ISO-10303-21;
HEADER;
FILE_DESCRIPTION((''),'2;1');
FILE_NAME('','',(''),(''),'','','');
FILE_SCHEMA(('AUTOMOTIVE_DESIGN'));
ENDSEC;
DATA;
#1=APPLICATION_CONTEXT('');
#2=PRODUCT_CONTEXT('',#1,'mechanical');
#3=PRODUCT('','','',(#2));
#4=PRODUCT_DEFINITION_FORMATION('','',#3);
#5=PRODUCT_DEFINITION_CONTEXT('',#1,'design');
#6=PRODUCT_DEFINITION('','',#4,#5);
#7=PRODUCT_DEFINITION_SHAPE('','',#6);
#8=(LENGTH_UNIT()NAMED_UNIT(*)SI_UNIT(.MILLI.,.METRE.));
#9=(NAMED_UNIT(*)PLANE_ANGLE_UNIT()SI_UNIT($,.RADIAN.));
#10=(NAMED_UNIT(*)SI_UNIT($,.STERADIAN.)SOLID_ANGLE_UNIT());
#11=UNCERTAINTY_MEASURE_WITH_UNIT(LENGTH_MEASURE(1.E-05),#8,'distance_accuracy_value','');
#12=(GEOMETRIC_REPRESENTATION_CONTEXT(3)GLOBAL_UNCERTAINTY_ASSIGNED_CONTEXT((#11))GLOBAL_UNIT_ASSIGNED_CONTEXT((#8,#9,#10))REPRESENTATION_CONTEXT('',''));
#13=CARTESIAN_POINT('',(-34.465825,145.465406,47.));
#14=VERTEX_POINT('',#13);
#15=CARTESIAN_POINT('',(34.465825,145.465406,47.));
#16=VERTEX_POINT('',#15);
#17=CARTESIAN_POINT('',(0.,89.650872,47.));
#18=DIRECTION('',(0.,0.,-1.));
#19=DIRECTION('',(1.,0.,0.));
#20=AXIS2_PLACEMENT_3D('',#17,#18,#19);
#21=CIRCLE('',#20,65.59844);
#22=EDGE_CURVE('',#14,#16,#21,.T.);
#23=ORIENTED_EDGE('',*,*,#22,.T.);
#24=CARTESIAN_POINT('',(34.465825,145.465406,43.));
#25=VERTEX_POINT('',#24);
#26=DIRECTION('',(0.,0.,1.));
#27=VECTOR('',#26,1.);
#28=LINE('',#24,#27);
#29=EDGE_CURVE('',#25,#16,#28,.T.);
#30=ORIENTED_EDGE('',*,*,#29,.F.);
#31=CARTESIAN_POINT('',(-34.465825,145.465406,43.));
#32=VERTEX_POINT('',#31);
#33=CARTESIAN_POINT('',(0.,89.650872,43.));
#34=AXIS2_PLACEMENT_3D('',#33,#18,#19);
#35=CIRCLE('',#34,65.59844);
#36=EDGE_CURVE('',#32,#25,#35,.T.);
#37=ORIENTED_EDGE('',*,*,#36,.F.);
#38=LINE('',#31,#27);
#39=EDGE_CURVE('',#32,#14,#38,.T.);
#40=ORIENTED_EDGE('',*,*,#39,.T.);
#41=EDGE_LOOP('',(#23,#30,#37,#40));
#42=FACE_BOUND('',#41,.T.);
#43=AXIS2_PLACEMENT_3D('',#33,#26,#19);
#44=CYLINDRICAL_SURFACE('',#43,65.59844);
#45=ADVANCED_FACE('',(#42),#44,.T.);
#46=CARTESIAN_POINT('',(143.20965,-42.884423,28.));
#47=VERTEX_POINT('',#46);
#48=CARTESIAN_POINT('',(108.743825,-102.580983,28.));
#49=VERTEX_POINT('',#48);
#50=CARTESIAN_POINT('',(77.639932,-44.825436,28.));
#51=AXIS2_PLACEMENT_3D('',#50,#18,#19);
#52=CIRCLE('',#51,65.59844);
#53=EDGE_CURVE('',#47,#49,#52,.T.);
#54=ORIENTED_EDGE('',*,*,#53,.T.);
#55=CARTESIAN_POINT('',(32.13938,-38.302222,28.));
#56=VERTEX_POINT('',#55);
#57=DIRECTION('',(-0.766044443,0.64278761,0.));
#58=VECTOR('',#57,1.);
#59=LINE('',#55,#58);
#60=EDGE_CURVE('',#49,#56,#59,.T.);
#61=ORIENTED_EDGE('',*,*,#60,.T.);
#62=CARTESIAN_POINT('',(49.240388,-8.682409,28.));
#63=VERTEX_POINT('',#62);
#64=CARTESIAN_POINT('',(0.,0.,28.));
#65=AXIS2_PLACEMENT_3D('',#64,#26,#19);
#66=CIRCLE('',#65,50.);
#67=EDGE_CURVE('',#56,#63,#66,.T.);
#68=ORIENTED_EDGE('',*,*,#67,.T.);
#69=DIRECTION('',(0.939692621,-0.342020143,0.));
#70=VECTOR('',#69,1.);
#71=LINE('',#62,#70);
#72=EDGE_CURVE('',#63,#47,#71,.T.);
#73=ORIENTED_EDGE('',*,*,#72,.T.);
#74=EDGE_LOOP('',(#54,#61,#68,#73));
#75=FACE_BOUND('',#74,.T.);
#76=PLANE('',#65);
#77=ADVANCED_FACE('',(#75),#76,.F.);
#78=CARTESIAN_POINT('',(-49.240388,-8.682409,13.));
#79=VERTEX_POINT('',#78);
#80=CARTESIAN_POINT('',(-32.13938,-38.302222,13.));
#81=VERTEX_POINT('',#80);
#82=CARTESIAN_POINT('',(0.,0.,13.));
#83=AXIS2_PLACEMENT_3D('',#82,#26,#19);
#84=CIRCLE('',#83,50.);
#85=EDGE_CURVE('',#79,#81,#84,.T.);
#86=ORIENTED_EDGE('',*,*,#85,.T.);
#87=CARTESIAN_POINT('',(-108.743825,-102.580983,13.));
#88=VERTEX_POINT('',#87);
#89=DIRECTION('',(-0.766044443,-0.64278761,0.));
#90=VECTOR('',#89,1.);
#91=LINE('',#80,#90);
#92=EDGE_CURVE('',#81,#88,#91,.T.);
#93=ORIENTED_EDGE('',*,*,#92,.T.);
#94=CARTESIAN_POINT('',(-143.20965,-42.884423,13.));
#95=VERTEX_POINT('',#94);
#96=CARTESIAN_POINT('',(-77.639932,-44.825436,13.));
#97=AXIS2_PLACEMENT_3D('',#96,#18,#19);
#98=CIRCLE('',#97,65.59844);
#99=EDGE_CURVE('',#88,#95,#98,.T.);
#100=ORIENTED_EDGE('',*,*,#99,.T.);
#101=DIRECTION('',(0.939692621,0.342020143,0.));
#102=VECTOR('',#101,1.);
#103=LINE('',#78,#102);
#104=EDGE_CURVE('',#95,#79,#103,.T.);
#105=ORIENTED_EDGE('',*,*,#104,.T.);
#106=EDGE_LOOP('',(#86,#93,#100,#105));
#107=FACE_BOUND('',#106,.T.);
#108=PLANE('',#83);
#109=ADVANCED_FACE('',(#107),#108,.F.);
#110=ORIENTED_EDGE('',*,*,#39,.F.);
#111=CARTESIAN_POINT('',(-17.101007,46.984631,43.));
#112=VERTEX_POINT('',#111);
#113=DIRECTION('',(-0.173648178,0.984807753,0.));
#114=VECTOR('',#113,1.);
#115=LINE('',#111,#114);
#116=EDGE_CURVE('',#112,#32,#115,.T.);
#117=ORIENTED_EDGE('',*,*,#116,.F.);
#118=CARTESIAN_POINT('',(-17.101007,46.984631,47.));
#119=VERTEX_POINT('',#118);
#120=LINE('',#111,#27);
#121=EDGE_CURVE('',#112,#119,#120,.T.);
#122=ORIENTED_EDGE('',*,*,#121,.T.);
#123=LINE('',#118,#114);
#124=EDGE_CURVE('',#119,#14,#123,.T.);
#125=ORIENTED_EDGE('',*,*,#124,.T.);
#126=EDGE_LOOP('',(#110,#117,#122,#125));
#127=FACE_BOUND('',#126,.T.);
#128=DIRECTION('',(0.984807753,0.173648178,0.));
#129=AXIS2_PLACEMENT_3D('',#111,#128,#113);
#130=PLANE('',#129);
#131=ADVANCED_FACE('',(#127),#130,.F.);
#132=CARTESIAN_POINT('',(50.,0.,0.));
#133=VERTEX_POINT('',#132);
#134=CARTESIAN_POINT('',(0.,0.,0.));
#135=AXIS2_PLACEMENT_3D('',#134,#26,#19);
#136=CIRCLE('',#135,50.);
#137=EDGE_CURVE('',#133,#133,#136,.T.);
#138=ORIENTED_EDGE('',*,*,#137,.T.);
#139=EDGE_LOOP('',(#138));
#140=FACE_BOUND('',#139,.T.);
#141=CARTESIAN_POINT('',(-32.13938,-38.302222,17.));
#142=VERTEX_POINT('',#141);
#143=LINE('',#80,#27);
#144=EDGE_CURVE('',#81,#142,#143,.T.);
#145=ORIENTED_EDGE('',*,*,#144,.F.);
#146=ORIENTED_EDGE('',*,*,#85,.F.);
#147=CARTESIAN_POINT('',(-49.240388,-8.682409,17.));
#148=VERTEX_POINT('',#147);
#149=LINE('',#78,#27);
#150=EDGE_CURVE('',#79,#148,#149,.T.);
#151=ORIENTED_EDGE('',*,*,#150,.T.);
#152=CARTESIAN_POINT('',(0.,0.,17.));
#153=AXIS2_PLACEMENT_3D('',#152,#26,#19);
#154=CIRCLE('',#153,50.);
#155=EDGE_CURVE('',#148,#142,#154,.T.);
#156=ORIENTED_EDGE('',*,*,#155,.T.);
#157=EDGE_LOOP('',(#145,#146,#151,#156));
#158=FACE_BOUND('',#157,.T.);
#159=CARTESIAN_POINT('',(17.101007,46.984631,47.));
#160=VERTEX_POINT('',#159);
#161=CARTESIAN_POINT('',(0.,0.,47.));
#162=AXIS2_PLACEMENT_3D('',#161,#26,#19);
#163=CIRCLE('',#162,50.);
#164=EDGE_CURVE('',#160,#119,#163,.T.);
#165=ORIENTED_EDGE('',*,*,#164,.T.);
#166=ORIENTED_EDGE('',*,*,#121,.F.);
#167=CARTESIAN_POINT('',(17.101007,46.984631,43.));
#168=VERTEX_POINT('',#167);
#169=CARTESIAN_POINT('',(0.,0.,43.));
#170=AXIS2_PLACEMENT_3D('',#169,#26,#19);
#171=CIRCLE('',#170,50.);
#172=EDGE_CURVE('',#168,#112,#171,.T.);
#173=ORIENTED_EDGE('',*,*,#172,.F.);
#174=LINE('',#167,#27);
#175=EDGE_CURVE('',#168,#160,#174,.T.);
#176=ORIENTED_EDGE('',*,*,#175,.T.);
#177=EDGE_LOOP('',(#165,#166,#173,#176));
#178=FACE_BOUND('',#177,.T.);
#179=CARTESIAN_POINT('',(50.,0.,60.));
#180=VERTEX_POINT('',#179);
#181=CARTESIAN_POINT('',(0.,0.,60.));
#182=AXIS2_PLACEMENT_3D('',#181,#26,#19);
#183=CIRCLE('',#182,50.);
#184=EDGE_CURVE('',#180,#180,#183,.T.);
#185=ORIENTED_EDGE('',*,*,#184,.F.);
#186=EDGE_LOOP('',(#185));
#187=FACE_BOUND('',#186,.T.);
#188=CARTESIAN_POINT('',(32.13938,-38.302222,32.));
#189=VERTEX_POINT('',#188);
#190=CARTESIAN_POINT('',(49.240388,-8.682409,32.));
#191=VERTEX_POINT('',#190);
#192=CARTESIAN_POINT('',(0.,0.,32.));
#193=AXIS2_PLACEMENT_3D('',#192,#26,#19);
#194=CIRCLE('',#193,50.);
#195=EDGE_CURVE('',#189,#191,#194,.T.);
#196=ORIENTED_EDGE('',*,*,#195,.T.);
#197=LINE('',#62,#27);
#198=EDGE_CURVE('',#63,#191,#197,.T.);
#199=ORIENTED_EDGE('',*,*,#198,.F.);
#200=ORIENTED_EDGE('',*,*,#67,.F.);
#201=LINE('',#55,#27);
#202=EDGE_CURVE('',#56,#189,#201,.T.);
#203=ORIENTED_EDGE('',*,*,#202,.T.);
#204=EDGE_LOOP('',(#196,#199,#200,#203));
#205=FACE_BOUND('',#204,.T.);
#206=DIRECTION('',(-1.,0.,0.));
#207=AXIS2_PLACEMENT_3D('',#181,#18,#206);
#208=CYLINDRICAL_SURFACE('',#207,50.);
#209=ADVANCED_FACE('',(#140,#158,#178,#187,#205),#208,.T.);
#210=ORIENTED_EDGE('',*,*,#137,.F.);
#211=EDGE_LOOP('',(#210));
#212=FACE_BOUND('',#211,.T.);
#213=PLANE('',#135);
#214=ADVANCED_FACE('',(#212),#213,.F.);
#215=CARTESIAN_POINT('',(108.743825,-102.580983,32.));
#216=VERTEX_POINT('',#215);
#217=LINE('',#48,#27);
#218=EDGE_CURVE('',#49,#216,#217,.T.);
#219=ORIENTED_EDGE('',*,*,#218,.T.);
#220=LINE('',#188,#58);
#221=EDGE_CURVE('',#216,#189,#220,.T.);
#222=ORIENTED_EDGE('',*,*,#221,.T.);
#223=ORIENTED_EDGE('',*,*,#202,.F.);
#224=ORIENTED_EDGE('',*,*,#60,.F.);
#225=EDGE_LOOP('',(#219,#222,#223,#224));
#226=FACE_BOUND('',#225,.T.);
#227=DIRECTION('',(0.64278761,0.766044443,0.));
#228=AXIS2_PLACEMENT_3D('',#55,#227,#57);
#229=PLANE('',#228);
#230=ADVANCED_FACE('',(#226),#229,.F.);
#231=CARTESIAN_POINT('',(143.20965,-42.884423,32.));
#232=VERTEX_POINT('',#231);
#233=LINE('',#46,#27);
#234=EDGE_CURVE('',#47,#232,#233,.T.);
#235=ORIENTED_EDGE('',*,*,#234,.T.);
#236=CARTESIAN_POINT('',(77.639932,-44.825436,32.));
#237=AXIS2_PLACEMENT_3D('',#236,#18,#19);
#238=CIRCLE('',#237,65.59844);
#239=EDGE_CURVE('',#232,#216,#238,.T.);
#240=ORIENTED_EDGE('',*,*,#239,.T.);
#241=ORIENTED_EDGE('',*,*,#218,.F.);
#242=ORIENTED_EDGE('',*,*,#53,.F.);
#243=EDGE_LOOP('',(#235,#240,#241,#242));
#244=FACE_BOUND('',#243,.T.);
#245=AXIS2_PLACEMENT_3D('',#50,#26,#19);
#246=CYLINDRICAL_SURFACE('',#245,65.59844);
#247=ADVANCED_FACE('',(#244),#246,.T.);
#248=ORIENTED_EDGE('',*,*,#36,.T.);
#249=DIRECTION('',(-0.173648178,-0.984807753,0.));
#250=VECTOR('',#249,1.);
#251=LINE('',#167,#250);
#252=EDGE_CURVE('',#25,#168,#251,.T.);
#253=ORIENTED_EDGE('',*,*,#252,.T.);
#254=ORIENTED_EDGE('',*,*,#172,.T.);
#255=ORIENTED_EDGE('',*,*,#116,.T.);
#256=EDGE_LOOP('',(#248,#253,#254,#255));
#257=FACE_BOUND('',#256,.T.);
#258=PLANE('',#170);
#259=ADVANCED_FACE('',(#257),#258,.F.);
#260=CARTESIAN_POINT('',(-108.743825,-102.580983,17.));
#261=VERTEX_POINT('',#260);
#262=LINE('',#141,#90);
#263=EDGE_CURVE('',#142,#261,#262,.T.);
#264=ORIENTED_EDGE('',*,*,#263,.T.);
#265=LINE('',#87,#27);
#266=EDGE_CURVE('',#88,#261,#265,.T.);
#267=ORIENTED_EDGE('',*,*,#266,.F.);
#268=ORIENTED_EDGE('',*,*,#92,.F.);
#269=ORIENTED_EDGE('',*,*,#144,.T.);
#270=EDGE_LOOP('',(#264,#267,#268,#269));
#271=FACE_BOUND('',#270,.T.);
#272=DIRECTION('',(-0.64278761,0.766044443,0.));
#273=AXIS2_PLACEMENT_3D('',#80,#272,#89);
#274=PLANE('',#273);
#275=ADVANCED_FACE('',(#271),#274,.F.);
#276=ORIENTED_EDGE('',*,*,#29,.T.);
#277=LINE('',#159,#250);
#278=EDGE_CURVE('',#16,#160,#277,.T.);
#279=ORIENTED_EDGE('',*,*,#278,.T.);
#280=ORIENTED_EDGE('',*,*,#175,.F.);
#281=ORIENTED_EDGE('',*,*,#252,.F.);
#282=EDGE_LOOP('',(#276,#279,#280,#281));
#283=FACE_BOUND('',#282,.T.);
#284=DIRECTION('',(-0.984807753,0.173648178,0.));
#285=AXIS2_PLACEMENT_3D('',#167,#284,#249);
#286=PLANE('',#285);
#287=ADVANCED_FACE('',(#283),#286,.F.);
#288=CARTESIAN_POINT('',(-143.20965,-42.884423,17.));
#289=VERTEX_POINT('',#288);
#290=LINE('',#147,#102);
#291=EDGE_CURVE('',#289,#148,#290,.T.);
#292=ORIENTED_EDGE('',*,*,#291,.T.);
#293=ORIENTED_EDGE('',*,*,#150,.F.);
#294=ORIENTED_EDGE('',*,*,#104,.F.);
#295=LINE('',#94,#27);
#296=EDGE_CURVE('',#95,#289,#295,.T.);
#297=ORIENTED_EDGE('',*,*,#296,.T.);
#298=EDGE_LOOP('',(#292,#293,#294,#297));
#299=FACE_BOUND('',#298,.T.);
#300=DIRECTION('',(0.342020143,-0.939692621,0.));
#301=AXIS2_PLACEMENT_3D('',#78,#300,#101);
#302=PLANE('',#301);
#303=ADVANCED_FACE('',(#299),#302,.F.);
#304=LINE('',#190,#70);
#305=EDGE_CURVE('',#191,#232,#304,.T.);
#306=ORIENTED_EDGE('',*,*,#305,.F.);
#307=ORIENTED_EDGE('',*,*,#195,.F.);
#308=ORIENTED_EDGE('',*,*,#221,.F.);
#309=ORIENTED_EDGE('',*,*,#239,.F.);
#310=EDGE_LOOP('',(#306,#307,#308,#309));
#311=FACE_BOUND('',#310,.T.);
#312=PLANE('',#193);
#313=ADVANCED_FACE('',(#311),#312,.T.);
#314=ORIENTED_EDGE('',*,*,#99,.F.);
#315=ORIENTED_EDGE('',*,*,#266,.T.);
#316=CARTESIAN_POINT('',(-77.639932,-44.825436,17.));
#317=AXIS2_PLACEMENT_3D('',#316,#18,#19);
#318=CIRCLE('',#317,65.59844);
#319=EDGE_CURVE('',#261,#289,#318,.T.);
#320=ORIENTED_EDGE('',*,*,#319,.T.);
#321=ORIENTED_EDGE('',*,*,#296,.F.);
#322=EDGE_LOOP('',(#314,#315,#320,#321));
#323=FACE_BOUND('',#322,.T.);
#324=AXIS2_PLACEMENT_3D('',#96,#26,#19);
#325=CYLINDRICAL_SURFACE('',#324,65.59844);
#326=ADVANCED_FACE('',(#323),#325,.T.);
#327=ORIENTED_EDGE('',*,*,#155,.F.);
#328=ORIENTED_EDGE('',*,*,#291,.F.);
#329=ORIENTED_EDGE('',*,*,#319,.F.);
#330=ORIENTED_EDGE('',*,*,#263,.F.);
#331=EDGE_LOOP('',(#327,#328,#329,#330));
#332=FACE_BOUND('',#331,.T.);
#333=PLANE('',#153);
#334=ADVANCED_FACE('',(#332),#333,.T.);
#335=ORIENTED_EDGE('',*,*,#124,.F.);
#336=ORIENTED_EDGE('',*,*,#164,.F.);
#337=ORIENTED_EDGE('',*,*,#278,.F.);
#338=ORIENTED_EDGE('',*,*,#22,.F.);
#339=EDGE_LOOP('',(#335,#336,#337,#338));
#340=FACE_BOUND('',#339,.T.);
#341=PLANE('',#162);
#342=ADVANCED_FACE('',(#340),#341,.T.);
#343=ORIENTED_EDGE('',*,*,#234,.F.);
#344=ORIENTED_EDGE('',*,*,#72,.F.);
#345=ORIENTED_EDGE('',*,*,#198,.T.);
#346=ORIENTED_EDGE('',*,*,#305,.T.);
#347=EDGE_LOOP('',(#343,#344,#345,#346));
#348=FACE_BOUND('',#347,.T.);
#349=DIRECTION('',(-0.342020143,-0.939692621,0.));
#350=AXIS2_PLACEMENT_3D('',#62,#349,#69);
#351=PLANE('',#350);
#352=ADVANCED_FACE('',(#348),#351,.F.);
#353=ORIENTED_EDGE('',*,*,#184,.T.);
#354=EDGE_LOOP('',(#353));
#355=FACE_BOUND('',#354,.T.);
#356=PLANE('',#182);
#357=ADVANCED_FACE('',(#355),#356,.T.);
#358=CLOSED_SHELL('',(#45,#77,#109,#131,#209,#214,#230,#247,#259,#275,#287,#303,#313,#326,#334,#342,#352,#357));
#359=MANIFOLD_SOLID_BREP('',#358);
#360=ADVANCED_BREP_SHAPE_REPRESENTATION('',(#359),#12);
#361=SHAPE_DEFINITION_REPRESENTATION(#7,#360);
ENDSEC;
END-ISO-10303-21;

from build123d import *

# Parameters (mm, degrees)
SKETCH1_R           = 50
BOSS_EXTRUDE1_DEPTH = 60
BOSS_EXTRUDE4_DEPTH = 2
BOSS_EXTRUDE5_DEPTH = 2
BOSS_EXTRUDE6_DEPTH = 2


with BuildPart() as part:
    # Sketch1 → Boss-Extrude1 (new body)
    with BuildSketch(Plane.XY):
        Circle(SKETCH1_R)
    extrude(amount=BOSS_EXTRUDE1_DEPTH)

    # Sketch4 → Boss-Extrude4 (add, symmetric)
    with BuildSketch(Plane(origin=(0, 0, 45), x_dir=(-1, 0, 0), z_dir=(0, 0, -1))):
        with BuildLine():
            Line((-17.101007166, 46.984631039), (-34.465824933, 145.465406341))
            ThreePointArc((-34.465824933, 145.465406341), (0, 155.249311955), (34.465824933, 145.465406341))
            Line((34.465824933, 145.465406341), (17.101007166, 46.984631039))
            ThreePointArc((17.101007166, 46.984631039), (0, 50), (-17.101007166, 46.984631039))
        make_face()
    extrude(amount=BOSS_EXTRUDE4_DEPTH, both=True)

    # Sketch5 → Boss-Extrude5 (add, symmetric)
    with BuildSketch(Plane(origin=(0, 0, 30), x_dir=(-1, 0, 0), z_dir=(0, 0, -1))):
        with BuildLine():
            Line((-32.139380484, -38.302222156), (-108.743824796, -102.580983125))
            ThreePointArc((-108.743824796, -102.580983125), (-134.449848073, -77.624655977), (-143.209649729, -42.884423216))
            Line((-143.209649729, -42.884423216), (-49.240387651, -8.682408883))
            ThreePointArc((-49.240387651, -8.682408883), (-43.301270189, -25), (-32.139380484, -38.302222156))
        make_face()
    extrude(amount=BOSS_EXTRUDE5_DEPTH, both=True)

    # Sketch6 → Boss-Extrude6 (add, symmetric)
    with BuildSketch(Plane(origin=(0, 0, 15), x_dir=(-1, 0, 0), z_dir=(0, 0, -1))):
        with BuildLine():
            Line((49.240387651, -8.682408883), (143.209649729, -42.884423216))
            ThreePointArc((143.209649729, -42.884423216), (134.449848073, -77.624655977), (108.743824796, -102.580983125))
            Line((108.743824796, -102.580983125), (32.139380484, -38.302222156))
            ThreePointArc((32.139380484, -38.302222156), (43.301270189, -25), (49.240387651, -8.682408883))
        make_face()
    extrude(amount=BOSS_EXTRUDE6_DEPTH, both=True)


solid = part.part
